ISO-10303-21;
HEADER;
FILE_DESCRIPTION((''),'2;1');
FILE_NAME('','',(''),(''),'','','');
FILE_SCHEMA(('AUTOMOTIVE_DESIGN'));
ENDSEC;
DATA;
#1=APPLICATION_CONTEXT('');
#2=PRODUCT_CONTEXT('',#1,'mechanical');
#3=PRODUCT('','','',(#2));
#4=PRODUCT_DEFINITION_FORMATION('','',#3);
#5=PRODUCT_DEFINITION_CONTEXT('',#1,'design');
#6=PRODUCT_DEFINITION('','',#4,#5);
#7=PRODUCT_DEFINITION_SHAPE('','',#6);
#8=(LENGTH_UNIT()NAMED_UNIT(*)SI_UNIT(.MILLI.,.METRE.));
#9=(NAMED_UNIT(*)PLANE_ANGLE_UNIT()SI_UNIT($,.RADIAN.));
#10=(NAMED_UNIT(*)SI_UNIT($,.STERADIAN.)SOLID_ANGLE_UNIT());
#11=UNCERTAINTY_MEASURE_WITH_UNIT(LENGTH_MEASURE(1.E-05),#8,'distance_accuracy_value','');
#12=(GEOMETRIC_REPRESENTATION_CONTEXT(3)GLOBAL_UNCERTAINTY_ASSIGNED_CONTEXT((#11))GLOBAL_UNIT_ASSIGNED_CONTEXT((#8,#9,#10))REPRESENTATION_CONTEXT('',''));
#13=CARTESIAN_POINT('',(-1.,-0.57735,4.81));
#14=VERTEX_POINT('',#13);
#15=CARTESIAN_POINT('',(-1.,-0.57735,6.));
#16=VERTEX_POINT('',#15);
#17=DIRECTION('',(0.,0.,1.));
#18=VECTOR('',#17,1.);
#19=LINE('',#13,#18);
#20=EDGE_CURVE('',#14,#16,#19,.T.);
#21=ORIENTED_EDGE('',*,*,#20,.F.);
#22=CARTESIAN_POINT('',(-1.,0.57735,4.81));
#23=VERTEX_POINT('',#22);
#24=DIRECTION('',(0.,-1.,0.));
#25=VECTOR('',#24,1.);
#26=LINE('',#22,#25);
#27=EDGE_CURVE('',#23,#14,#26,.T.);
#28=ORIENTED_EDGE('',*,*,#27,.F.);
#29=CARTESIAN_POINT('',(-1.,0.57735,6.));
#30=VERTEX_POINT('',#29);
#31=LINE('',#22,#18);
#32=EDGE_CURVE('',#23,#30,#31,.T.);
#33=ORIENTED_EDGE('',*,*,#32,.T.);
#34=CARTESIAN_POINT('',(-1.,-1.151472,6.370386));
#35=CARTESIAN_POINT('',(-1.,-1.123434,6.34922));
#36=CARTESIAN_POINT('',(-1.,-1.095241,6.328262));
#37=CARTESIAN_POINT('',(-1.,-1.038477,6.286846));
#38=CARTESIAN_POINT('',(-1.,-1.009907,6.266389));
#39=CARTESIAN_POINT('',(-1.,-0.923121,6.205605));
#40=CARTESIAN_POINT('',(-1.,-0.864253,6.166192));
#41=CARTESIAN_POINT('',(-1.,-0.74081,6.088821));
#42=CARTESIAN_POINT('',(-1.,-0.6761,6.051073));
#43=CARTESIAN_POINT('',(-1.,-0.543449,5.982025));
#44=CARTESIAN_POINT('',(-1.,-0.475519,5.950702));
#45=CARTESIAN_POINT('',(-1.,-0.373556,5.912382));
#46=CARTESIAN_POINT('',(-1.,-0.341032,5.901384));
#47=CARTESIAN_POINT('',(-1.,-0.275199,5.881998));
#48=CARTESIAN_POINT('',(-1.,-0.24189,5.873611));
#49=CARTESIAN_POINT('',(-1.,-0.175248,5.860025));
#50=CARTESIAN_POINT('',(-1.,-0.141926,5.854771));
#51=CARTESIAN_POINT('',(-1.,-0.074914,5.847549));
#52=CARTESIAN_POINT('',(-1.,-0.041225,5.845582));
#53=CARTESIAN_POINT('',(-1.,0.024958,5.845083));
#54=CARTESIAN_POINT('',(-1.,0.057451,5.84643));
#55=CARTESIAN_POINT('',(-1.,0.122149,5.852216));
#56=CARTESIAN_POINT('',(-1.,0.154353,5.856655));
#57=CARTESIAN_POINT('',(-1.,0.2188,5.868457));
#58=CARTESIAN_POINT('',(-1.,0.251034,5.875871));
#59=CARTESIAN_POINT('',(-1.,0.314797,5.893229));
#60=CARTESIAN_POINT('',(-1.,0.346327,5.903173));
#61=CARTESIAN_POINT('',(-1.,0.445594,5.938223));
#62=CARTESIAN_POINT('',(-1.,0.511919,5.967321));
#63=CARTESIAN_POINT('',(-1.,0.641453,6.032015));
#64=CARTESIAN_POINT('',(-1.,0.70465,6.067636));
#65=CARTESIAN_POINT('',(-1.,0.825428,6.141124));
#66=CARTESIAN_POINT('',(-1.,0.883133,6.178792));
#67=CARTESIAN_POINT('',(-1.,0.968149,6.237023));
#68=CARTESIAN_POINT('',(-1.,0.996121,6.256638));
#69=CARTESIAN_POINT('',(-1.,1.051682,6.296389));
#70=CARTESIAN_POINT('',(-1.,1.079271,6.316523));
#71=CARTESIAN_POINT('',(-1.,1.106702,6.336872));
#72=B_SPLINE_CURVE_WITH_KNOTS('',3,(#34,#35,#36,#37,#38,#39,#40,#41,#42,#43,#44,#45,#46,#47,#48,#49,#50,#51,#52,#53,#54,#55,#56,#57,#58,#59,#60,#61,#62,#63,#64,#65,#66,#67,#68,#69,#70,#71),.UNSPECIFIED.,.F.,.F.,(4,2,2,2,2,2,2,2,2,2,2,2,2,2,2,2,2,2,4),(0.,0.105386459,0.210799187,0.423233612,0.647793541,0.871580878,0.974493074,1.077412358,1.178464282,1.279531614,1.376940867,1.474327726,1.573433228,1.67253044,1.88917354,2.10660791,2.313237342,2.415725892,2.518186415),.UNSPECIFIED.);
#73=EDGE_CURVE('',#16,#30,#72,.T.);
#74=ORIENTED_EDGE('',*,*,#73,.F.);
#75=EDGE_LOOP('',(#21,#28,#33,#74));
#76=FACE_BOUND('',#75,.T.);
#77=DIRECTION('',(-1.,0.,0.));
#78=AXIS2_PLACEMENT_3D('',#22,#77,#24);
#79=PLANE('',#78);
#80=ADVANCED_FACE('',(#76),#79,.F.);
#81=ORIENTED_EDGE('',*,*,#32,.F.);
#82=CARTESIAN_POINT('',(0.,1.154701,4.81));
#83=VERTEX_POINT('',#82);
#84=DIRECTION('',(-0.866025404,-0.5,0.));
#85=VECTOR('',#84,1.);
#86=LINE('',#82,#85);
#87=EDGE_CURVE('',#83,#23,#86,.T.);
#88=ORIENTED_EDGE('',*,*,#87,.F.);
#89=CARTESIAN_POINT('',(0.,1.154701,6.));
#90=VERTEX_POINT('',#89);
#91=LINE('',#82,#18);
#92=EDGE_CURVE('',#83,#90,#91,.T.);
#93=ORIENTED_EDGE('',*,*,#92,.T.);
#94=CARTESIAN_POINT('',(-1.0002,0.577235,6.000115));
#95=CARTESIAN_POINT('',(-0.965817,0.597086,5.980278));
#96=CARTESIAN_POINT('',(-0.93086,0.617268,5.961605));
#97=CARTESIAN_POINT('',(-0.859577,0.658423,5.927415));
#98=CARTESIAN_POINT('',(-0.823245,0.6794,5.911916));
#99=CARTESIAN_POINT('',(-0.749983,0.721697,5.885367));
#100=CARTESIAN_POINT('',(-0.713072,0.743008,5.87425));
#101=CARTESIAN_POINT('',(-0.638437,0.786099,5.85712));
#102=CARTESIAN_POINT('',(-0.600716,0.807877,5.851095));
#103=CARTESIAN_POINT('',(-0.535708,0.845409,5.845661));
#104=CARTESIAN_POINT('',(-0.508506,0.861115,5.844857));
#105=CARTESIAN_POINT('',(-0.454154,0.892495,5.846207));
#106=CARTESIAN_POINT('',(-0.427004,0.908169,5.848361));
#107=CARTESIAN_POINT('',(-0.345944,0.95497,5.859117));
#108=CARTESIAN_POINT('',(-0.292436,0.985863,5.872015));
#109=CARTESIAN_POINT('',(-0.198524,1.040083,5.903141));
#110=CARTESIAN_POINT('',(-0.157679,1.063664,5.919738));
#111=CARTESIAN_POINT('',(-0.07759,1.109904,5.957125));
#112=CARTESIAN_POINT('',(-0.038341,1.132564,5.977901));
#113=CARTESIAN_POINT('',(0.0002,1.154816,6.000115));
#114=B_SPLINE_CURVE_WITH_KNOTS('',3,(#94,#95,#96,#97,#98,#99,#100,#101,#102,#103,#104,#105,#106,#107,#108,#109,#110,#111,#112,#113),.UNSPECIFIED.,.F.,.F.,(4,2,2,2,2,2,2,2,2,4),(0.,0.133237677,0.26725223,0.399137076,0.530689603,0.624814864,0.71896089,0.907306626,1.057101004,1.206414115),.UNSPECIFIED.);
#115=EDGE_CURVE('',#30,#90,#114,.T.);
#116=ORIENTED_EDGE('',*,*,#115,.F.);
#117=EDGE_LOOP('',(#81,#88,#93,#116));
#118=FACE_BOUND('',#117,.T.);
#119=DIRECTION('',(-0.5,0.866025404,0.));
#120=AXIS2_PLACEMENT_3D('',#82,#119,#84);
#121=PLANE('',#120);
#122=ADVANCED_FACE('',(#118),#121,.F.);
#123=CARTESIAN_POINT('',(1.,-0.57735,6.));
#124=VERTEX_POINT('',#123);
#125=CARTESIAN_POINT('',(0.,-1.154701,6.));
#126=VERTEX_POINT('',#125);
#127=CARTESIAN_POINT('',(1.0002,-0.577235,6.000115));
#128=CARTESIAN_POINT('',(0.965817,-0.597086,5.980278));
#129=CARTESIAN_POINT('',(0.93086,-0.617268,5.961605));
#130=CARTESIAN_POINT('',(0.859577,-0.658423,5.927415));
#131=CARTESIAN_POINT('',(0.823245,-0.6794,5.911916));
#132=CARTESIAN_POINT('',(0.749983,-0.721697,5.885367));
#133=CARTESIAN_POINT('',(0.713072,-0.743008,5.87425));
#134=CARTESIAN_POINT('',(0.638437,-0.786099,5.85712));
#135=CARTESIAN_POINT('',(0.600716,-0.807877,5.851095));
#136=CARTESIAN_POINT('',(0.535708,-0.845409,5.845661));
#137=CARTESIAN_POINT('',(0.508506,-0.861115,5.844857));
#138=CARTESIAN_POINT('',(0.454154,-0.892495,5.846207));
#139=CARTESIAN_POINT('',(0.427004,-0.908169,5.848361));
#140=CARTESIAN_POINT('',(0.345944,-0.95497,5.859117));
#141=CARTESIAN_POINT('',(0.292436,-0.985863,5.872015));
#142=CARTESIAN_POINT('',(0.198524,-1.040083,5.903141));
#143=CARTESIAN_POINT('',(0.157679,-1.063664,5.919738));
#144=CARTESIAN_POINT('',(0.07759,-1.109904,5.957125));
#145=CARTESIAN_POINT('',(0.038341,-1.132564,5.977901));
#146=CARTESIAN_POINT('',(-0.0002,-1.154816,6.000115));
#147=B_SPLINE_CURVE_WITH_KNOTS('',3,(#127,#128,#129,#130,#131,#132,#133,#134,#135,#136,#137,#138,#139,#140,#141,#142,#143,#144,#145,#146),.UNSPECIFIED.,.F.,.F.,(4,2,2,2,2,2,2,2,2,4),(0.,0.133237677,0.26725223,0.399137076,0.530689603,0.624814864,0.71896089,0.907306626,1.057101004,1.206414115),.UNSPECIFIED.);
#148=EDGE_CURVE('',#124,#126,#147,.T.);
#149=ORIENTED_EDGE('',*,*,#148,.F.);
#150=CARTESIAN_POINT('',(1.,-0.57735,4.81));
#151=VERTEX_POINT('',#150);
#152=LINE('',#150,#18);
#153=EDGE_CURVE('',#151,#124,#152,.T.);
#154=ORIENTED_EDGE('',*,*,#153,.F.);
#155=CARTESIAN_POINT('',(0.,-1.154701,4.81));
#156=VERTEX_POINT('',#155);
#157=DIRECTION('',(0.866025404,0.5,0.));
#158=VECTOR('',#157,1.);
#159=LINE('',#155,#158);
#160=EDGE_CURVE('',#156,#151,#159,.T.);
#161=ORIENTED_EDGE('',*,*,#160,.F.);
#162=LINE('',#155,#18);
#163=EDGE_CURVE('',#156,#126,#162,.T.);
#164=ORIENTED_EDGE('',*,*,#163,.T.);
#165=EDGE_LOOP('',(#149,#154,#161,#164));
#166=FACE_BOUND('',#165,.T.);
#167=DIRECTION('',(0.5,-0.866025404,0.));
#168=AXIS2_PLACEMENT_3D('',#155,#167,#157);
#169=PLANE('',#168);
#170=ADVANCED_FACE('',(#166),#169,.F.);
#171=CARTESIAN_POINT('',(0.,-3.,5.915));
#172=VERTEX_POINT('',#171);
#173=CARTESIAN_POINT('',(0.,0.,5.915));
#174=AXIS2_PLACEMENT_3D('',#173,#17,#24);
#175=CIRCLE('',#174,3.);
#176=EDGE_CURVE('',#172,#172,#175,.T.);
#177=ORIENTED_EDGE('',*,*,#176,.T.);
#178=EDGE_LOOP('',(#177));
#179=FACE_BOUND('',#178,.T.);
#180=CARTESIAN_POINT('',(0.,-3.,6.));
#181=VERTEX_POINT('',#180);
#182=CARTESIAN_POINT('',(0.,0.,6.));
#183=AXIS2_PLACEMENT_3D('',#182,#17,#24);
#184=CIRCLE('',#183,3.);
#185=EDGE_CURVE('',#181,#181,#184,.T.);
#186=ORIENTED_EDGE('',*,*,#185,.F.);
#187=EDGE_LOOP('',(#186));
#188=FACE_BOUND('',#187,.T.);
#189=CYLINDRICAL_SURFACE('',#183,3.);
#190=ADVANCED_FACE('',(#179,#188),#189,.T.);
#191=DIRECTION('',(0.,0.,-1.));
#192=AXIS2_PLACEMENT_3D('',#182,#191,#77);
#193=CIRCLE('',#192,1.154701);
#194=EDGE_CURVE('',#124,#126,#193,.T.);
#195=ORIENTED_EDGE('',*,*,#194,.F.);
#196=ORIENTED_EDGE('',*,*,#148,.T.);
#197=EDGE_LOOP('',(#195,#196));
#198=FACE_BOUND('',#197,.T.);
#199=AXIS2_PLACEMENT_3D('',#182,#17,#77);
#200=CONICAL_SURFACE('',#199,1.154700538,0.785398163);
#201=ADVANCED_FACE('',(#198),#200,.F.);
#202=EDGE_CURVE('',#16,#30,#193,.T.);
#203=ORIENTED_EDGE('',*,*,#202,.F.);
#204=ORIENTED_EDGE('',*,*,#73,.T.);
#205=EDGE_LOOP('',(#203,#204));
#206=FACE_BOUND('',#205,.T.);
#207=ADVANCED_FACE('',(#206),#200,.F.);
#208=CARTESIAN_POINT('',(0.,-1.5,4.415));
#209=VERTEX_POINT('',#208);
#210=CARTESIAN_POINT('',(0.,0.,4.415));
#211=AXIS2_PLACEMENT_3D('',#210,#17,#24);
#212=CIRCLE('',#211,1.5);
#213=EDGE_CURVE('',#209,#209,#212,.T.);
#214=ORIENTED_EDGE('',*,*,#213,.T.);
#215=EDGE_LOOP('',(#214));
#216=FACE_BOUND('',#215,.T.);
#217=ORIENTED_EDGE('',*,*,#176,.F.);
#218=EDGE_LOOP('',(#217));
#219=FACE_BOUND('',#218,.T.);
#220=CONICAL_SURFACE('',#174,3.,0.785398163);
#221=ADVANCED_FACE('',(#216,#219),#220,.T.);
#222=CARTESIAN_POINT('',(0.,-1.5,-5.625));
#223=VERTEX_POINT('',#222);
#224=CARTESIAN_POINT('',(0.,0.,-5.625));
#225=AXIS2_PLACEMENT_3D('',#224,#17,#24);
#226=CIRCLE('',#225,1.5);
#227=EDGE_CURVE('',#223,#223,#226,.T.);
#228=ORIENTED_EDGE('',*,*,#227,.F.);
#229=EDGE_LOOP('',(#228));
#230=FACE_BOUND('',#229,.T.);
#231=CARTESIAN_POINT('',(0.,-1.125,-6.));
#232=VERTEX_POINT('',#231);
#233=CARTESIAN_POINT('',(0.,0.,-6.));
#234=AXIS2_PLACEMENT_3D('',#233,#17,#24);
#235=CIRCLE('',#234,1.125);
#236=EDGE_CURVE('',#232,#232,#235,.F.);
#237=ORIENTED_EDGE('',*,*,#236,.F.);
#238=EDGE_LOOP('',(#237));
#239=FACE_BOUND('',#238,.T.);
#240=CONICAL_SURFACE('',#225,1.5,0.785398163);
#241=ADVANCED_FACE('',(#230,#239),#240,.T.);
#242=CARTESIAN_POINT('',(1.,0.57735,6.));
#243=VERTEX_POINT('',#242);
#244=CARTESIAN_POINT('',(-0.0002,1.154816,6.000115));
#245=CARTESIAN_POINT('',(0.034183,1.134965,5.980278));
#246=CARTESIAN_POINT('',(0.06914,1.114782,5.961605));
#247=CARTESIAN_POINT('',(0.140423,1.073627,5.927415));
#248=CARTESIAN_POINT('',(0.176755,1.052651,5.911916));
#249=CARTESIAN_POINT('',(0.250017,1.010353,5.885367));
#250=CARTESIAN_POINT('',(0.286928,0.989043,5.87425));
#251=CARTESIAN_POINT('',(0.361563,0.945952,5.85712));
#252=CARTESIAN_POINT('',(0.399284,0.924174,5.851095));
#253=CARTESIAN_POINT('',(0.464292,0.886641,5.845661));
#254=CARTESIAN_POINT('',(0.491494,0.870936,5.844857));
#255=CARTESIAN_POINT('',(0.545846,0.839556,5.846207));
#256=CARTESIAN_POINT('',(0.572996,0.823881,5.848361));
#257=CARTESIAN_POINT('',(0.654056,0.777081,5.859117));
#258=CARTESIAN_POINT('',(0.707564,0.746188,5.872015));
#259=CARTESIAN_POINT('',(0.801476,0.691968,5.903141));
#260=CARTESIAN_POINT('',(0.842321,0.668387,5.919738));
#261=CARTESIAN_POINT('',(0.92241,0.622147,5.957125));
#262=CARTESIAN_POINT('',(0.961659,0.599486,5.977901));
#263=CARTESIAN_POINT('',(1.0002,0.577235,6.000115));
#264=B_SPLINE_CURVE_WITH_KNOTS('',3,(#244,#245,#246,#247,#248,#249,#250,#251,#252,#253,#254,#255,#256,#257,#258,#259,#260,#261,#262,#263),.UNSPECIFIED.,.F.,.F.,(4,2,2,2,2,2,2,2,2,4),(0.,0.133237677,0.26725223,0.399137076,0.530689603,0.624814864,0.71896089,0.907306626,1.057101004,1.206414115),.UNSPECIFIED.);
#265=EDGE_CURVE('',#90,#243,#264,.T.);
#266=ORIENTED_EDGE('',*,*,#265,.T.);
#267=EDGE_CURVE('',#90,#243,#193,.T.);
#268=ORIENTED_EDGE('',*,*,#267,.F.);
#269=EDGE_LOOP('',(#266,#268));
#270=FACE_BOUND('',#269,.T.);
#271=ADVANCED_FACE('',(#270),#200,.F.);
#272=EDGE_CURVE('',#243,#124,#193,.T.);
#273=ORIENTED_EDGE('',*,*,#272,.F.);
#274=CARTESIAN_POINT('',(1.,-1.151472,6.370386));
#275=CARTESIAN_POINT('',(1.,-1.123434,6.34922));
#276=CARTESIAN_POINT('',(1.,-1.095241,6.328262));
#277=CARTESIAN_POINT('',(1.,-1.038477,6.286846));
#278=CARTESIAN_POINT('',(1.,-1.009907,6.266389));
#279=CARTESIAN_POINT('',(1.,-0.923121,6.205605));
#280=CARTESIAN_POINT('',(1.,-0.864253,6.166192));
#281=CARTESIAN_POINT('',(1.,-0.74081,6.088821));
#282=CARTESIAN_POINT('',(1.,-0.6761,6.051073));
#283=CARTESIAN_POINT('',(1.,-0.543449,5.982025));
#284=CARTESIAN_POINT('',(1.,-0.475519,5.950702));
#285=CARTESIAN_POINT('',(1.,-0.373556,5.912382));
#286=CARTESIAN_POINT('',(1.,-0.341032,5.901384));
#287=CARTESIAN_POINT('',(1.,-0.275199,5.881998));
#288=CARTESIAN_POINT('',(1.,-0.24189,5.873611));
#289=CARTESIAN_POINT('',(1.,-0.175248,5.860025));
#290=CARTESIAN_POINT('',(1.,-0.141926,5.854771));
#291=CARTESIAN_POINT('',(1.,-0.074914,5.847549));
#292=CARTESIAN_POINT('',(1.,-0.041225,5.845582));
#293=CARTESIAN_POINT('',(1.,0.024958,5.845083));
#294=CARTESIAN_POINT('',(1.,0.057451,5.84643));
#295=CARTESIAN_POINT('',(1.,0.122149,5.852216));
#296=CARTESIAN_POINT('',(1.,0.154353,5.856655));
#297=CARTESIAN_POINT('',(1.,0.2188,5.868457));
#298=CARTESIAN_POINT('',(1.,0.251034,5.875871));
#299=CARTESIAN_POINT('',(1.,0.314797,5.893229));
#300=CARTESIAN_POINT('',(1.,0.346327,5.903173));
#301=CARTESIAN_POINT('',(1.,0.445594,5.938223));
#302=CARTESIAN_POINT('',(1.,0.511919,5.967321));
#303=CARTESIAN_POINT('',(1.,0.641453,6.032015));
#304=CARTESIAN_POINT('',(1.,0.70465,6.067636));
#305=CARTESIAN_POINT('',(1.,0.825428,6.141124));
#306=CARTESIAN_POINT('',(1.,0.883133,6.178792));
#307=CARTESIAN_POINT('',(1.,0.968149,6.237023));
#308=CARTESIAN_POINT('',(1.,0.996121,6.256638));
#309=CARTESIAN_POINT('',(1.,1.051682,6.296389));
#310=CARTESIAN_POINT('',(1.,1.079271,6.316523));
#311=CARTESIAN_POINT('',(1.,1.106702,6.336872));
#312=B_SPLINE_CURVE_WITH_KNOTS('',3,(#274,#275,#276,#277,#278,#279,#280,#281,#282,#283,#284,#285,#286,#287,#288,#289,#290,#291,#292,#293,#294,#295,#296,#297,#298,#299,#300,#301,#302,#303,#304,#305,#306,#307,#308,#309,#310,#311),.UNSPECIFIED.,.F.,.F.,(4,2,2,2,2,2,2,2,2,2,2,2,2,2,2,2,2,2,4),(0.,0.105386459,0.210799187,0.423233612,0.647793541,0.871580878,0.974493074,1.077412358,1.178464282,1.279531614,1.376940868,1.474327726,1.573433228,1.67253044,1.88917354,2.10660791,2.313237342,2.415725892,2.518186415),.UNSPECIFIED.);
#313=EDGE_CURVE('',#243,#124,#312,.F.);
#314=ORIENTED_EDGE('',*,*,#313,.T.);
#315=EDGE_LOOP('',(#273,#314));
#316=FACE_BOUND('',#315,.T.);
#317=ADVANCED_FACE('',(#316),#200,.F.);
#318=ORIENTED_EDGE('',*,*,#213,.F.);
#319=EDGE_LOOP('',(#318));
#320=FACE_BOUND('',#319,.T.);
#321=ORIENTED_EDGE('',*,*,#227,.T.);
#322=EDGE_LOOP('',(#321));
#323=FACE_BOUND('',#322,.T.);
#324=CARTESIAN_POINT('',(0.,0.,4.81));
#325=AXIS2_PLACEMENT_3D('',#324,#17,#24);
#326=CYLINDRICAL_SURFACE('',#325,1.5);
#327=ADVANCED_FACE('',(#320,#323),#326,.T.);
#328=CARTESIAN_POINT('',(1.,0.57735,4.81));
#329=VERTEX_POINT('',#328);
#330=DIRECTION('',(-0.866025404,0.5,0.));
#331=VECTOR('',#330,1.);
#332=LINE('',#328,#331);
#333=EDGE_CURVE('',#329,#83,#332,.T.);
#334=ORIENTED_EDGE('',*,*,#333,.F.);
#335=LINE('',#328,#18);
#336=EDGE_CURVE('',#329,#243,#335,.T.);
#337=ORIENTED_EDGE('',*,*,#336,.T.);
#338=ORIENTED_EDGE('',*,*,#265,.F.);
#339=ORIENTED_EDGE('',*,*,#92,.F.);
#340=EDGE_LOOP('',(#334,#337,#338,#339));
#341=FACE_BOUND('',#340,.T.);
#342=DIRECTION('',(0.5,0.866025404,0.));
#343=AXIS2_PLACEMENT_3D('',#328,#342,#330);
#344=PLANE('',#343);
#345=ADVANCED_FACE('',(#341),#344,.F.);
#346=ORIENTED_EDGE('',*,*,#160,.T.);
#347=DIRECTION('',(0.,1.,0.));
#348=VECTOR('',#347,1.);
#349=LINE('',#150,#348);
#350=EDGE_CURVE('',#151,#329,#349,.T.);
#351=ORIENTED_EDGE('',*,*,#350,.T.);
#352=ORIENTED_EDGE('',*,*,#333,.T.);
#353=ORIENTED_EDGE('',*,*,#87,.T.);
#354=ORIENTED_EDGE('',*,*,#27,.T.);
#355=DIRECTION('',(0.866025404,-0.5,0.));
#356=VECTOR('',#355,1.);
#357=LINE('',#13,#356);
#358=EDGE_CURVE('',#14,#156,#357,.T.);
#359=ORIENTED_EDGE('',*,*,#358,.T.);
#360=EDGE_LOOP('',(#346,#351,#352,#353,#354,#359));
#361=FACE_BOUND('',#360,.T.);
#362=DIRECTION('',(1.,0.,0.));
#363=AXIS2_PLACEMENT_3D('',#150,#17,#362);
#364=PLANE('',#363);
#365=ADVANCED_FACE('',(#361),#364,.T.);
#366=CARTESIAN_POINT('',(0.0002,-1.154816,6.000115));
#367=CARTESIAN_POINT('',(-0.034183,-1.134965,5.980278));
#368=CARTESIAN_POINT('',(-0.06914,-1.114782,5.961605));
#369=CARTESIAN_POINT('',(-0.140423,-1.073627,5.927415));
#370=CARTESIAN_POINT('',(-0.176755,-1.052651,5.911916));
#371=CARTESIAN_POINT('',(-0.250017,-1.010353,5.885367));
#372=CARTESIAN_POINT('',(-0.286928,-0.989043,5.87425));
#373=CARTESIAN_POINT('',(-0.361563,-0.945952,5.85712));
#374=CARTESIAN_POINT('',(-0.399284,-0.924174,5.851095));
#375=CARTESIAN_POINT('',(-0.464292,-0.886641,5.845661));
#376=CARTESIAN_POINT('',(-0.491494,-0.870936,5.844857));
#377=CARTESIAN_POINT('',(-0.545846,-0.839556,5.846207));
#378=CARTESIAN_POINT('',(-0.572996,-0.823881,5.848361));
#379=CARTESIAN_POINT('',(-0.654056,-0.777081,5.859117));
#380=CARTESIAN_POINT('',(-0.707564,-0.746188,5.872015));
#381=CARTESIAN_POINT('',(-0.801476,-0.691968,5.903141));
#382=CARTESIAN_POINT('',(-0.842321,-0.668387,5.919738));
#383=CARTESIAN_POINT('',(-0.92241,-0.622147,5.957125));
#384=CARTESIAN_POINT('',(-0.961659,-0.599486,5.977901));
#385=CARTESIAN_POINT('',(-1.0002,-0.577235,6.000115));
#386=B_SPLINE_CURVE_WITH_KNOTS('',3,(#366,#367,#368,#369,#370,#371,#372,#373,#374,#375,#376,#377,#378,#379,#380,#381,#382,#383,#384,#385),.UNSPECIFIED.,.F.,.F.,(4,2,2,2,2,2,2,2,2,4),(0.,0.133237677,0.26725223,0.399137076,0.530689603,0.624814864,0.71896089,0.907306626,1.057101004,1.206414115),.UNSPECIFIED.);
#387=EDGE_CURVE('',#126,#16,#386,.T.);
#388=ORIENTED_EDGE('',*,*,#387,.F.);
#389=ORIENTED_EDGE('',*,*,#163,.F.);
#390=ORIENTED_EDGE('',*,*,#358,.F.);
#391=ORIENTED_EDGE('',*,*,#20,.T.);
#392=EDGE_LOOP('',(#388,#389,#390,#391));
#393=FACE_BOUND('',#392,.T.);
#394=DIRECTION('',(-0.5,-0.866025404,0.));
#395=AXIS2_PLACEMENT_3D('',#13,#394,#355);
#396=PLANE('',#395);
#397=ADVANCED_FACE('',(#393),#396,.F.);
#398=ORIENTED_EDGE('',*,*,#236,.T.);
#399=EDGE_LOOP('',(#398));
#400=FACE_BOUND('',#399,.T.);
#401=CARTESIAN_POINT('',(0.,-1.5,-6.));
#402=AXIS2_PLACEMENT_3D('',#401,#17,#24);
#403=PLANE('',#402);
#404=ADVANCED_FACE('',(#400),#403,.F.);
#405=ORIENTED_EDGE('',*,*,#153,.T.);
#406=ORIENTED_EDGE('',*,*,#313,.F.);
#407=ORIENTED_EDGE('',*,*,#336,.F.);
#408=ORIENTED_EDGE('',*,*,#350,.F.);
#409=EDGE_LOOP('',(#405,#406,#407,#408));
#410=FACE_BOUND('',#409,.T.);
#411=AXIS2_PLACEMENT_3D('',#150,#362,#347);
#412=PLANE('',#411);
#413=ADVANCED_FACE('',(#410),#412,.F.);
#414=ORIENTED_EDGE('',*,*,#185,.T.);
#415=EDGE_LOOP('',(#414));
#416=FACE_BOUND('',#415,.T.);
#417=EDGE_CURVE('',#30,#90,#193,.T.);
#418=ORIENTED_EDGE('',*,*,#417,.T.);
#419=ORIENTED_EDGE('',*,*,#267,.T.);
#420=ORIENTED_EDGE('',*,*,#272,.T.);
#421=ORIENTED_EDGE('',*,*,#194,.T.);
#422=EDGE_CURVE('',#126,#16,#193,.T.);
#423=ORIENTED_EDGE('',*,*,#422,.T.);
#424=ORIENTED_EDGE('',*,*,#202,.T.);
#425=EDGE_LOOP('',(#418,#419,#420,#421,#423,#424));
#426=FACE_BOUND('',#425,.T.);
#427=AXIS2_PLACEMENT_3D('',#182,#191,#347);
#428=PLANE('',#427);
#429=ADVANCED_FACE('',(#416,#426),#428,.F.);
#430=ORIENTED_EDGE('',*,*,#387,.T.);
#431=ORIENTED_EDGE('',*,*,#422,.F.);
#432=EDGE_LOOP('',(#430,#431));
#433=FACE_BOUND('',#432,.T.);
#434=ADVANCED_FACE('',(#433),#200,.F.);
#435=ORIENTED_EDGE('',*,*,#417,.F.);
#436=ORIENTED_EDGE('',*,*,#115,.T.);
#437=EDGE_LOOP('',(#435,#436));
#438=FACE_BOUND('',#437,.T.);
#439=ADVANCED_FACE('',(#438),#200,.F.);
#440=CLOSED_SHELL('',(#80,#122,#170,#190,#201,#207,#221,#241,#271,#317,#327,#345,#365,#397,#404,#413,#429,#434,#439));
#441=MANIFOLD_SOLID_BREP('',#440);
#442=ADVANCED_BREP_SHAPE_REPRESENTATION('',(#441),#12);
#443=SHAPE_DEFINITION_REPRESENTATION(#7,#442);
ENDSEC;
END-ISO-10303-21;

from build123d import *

# Parameters (mm, degrees)
CHAMFER1_SIZE      = 0.375
CUT_EXTRUDE2_DEPTH = 1.19


with BuildPart() as part:
    # Sketch1 → Revolve1 (revolve)
    with BuildSketch(Plane(origin=(0, 0, 0), x_dir=(0, 0, -1), z_dir=(1, 0, 0))):
        Polygon((-4.3, 1.5), (6, 1.5), (6, 0), (-4.81, 0), (-4.81, 1.5), align=None)
    revolve(axis=Axis((0, 0, 4.81), (0, 0, -1)))

    # Chamfer1
    chamfer1_edges = [part.edges().sort_by_distance(p)[0] for p in [
        (0, -1.5, -6),
    ]]
    chamfer(chamfer1_edges, length=CHAMFER1_SIZE)


with BuildPart() as body_2:
    # Sketch7 → Revolve2 (revolve)
    with BuildSketch(Plane(origin=(0, 0, 0), x_dir=(0, 0, -1), z_dir=(1, 0, 0))):
        Polygon((-5.915, 3), (-6, 3), (-6, 0), (-4.3, 0), (-4.3, 1.385), align=None)
    revolve(axis=Axis((0, 0, 6), (0, 0, -1)))

    # Sketch5 → Cut-Extrude2 (cut)
    with BuildSketch(Plane.XY.offset(6)):
        Polygon((1, -0.577350269), (1, 0.577350269), (0, 1.154700538), (-1, 0.577350269), (-1, -0.577350269), (0, -1.154700538), align=None)
    extrude(amount=-CUT_EXTRUDE2_DEPTH, mode=Mode.SUBTRACT)

    # Cut-Extrude3 cone 1 section (through the dimple's axis) → Cut-Extrude3 (revolve, cut)
    with BuildSketch(Plane(origin=(0, 0, 6), x_dir=(0, -1, 0), z_dir=(1, 0, 0))):
        Polygon((0, 0), (1.154700538, 0), (0, 1.154700538), align=None)
    revolve(axis=Axis((0, 0, 6), (0, 0, -1)), mode=Mode.SUBTRACT)

    # Combine1: union part
    add(part.part)


solid = body_2.part
